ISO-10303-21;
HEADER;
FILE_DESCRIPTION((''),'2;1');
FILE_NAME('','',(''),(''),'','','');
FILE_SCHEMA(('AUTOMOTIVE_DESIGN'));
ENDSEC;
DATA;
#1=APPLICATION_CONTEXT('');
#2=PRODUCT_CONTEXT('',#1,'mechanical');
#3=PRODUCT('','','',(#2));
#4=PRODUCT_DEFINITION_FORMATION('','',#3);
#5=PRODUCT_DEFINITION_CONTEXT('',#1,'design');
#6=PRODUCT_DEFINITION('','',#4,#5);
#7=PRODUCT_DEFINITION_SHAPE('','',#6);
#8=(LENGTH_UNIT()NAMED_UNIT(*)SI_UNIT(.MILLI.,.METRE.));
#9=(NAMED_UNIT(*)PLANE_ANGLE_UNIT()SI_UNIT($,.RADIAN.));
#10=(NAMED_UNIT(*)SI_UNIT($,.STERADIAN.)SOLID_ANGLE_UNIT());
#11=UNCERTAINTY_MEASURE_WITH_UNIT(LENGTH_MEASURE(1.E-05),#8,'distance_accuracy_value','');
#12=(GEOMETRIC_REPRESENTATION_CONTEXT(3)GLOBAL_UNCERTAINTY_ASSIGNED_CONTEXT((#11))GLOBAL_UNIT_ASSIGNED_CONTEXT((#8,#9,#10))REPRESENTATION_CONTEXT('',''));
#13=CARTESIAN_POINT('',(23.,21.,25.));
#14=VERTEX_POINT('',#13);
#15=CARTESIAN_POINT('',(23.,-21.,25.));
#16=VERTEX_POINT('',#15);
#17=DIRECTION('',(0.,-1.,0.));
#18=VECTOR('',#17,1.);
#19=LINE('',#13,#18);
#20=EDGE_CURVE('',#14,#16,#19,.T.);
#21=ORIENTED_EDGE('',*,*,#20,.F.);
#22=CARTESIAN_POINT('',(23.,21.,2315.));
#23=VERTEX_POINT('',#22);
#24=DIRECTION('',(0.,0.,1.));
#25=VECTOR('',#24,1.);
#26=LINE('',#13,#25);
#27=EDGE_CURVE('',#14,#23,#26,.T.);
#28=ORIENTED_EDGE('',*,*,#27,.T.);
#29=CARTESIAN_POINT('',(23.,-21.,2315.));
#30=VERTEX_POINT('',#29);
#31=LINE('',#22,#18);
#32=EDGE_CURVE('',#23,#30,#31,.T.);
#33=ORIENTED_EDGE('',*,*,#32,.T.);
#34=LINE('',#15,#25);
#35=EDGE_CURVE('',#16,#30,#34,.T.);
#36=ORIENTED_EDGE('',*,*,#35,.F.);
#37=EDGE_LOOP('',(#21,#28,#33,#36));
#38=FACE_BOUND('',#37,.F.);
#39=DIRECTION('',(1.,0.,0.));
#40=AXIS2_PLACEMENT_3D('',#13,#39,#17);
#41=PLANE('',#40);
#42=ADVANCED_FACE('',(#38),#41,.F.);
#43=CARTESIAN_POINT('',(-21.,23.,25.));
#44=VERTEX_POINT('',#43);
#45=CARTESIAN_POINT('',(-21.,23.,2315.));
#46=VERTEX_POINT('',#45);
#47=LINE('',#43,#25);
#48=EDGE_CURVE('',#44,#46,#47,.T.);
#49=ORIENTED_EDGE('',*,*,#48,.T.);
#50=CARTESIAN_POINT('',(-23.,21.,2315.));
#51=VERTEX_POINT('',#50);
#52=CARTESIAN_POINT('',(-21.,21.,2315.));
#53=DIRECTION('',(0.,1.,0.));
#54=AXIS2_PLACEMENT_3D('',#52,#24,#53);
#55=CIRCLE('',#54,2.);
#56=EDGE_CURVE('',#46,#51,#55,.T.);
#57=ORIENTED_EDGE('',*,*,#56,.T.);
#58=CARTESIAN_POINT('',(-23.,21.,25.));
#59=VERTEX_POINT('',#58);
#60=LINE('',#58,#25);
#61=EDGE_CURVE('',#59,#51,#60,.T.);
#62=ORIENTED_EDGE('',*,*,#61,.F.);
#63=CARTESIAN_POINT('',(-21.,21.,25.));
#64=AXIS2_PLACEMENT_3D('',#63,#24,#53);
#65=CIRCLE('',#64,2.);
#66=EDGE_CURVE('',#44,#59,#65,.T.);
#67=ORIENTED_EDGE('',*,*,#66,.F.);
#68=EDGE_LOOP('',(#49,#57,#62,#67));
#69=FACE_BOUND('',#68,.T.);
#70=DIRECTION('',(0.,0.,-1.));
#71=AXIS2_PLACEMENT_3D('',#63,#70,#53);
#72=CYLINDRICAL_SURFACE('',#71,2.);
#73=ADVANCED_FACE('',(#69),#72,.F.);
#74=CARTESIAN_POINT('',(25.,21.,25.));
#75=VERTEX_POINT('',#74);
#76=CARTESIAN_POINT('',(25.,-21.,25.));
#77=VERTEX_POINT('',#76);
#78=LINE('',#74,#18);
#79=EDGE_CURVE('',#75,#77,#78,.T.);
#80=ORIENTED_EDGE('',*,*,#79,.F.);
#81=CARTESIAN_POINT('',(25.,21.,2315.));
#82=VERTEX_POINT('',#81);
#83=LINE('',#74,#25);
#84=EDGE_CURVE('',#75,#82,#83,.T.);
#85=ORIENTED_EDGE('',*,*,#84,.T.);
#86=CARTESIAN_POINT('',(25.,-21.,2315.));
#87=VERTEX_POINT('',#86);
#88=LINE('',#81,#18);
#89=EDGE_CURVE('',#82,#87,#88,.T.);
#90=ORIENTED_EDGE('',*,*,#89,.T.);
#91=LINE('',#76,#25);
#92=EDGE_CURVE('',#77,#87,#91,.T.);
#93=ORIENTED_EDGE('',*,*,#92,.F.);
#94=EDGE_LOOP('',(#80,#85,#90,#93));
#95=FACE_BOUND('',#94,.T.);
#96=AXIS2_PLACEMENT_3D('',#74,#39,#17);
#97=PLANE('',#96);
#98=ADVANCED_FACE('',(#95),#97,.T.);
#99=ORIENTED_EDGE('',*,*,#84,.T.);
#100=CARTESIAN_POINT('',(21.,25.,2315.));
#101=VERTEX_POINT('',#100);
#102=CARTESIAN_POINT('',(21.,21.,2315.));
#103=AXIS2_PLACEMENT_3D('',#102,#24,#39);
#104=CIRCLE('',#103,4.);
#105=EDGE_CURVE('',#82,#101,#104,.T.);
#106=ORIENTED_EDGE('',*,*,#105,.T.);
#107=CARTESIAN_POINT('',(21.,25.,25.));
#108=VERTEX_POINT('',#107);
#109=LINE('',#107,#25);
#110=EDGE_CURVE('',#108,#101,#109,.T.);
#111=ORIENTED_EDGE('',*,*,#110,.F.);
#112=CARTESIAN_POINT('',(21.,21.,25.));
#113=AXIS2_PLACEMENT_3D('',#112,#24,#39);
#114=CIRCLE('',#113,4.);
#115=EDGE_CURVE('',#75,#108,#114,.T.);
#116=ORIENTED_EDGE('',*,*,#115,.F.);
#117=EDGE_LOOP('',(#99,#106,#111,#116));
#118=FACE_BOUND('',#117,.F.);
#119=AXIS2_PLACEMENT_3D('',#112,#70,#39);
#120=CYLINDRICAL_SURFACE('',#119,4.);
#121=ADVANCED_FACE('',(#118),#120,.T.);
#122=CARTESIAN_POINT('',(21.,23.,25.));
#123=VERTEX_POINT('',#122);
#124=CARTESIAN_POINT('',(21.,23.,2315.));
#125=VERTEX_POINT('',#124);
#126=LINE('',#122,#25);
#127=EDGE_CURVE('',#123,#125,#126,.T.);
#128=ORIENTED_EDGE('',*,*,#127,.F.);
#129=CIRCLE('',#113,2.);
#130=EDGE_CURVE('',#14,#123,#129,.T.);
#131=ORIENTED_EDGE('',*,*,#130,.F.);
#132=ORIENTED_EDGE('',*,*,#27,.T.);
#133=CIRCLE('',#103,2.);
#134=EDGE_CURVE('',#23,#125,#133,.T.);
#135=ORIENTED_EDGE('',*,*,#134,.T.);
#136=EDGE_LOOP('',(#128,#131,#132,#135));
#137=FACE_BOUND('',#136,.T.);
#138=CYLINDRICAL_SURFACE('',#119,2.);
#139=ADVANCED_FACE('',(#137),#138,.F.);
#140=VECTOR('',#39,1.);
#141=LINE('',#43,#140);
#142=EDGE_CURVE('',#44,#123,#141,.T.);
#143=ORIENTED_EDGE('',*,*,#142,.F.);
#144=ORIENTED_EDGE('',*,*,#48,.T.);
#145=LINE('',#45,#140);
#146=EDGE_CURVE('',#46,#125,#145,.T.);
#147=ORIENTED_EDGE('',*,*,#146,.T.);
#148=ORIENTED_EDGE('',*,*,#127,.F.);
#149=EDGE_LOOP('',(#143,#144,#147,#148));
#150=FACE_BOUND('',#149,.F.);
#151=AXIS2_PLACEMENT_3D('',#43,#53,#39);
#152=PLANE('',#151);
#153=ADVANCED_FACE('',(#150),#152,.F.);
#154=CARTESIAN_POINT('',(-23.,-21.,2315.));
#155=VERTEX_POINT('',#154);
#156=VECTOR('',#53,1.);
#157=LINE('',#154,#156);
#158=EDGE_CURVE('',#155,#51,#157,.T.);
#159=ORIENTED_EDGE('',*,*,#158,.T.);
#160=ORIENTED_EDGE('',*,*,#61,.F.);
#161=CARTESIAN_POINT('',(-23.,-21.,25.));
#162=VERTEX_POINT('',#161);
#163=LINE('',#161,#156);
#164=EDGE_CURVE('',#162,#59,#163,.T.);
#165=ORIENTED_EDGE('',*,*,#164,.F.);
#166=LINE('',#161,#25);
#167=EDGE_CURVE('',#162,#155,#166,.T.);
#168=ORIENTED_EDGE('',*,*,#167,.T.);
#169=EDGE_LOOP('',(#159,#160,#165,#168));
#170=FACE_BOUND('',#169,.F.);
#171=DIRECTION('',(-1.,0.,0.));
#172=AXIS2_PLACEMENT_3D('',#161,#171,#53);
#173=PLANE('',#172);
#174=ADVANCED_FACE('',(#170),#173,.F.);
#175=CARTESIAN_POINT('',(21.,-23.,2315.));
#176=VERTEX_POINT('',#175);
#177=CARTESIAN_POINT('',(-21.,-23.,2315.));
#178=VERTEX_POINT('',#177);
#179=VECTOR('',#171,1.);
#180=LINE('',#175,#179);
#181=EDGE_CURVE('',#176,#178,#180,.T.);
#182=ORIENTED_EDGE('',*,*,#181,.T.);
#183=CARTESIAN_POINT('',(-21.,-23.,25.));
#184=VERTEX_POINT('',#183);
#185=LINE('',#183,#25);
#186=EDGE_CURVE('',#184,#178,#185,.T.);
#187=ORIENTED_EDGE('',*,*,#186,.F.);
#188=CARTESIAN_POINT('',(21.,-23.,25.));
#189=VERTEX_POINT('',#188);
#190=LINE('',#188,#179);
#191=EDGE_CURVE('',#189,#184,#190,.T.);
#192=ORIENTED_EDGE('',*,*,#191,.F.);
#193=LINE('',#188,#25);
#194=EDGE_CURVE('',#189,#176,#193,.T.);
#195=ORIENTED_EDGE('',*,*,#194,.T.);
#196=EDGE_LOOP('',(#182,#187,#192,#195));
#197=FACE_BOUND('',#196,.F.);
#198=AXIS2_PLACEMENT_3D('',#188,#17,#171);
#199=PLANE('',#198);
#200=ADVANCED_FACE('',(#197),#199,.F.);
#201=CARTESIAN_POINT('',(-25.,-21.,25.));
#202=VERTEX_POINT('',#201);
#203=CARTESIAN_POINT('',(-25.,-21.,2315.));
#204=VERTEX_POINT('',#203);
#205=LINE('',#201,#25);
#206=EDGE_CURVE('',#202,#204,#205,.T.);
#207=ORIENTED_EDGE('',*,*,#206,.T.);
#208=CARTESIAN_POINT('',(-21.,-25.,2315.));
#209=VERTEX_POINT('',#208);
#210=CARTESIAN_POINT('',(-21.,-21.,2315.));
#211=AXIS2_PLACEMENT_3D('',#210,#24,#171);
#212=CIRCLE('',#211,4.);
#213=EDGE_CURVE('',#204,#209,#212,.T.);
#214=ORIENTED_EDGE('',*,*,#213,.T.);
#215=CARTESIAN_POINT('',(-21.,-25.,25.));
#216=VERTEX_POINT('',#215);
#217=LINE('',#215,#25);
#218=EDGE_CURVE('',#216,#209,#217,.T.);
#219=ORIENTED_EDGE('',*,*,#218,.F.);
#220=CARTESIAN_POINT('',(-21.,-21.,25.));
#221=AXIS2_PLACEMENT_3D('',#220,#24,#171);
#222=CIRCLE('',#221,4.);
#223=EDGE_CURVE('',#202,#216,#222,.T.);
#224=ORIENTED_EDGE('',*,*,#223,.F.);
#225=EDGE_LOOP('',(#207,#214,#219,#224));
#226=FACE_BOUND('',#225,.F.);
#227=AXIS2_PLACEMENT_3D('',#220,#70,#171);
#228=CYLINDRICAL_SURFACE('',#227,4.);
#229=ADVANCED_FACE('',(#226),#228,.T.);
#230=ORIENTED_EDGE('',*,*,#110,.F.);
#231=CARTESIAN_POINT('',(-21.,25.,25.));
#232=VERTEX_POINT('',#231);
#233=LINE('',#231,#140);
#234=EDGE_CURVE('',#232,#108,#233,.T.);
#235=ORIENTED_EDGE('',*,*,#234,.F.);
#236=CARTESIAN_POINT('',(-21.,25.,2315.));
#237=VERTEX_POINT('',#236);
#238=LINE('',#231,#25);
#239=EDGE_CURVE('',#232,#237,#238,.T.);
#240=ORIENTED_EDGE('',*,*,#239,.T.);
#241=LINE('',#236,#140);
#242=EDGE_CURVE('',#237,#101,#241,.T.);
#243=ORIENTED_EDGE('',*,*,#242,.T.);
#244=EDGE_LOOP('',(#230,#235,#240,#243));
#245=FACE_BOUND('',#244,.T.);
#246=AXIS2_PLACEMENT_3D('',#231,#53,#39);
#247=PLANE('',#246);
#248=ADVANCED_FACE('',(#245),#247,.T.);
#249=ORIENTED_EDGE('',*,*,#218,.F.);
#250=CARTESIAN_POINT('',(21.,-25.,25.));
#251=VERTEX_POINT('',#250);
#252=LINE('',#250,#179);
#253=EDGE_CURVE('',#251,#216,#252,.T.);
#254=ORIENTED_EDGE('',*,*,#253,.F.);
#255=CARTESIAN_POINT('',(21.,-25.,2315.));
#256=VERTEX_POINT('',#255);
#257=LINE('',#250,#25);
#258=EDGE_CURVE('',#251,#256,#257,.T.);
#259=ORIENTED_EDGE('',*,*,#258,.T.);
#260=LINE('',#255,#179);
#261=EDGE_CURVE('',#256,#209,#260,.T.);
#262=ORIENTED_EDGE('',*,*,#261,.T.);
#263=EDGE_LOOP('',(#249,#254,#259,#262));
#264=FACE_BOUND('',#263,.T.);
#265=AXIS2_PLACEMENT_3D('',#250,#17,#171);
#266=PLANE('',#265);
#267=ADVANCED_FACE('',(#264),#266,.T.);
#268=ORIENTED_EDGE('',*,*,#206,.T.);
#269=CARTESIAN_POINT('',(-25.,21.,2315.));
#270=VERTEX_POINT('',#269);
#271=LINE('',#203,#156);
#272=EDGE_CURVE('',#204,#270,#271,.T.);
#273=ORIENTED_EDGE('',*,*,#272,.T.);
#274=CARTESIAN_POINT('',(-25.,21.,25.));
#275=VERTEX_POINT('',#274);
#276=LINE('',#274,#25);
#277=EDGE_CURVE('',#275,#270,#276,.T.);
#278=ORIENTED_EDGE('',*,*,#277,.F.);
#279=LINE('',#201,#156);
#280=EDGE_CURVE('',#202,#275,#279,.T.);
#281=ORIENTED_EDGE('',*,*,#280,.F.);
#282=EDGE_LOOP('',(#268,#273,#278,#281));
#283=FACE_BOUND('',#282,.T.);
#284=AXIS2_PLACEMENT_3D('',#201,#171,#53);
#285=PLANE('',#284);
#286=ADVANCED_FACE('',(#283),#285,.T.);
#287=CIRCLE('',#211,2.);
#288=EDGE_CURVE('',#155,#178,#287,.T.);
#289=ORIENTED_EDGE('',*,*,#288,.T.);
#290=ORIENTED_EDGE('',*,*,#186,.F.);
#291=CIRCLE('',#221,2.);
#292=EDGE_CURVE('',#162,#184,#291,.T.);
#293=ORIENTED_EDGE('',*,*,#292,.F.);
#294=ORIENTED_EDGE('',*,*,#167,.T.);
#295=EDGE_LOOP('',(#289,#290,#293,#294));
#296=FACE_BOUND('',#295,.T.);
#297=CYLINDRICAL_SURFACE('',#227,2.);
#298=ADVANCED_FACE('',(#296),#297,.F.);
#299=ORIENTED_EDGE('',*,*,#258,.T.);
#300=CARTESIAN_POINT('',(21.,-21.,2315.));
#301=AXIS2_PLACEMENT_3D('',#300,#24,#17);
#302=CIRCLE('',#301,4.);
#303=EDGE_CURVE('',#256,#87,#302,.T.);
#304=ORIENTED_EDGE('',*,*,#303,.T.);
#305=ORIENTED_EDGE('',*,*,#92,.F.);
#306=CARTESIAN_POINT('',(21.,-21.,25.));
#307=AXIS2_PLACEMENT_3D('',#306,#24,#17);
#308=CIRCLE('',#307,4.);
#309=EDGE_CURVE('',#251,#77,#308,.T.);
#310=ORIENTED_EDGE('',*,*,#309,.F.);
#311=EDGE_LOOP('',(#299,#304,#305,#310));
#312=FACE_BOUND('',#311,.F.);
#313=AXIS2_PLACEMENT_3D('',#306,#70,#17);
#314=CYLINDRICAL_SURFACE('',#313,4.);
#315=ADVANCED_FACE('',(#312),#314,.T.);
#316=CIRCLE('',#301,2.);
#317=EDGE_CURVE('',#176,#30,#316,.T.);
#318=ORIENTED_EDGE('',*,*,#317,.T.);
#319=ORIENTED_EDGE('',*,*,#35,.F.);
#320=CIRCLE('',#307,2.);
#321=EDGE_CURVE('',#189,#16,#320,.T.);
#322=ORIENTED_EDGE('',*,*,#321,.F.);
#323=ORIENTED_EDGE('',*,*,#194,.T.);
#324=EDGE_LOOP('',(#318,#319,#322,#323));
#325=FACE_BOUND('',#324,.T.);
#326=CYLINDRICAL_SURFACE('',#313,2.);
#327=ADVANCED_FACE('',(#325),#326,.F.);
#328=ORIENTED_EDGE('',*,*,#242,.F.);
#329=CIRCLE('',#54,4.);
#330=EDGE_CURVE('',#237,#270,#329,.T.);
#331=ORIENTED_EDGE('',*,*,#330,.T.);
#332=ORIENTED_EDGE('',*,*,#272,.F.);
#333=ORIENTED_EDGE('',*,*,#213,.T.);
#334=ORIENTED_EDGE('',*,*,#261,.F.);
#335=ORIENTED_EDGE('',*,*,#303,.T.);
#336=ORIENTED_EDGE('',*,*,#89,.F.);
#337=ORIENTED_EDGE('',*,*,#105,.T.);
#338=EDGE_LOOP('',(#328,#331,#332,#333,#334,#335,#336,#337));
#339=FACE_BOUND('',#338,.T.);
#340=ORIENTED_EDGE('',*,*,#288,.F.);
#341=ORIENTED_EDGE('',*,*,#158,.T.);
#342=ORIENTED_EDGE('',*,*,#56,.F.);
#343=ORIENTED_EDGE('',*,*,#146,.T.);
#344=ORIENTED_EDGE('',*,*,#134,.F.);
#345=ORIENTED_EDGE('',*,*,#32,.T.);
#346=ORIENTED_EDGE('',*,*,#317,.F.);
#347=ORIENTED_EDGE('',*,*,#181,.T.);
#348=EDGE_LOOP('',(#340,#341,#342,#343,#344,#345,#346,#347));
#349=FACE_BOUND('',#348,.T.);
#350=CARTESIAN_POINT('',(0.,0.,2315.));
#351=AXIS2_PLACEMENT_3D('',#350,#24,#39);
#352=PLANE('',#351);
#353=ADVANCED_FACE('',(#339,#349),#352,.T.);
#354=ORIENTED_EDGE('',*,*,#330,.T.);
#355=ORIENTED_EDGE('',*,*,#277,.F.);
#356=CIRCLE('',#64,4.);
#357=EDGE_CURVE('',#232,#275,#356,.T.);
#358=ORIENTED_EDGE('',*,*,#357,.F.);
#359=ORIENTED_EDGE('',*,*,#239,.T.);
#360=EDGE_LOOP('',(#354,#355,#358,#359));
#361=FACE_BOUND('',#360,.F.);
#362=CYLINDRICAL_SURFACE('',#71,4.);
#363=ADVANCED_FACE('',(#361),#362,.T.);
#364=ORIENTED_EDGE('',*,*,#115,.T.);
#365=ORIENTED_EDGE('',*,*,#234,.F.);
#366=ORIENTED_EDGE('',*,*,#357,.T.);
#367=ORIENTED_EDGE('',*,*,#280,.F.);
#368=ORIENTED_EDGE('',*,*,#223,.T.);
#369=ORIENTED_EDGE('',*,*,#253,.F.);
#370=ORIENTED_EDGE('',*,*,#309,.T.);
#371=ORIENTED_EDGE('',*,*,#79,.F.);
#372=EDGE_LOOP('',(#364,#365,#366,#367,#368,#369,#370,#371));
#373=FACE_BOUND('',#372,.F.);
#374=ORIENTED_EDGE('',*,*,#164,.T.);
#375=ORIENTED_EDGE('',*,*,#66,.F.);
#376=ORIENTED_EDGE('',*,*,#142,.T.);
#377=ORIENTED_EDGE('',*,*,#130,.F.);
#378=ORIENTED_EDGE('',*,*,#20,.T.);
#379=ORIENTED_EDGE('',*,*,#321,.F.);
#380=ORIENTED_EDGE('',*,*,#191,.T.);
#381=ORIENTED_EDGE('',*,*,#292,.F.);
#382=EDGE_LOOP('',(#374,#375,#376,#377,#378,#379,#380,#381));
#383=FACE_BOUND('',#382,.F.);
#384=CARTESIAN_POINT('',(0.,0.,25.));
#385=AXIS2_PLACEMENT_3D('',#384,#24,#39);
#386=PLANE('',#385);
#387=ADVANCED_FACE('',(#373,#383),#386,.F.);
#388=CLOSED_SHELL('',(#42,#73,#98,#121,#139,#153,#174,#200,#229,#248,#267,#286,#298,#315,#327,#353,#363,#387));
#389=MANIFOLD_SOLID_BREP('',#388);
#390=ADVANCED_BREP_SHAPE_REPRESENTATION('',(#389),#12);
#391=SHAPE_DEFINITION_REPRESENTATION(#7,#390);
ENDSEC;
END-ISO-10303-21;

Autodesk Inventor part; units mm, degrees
ref_plane "Plano inicial" through (0, 0, 25) normal (0, 0, 1) x (1, 0, 0)
ref_plane "Plano final" through (0, 0, 2315) normal (0, 0, 1) x (1, 0, 0)
sketch "Boceto" plane through (0, 0, 0) normal (0, 0, 1) x (1, 0, 0)
  line L0 (-25, -21) -> (-25, 21)
  line L1 (-21, 25) -> (21, 25)
  line L2 (25, 21) -> (25, -21)
  line L3 (21, -25) -> (-21, -25)
  arc A0 (-25, -21) -> (-21, -25) centre (-21, -21) ccw
  arc A1 (25, 21) -> (21, 25) centre (21, 21) ccw
  arc A2 (-21, 25) -> (-25, 21) centre (-21, 21) ccw
  arc A3 (21, -25) -> (25, -21) centre (21, -21) ccw
  arc A4 (-21, 23) -> (-23, 21) centre (-21, 21) ccw
  line L4 (-21, 23) -> (21, 23)
  arc A5 (23, 21) -> (21, 23) centre (21, 21) ccw
  line L5 (23, 21) -> (23, -21)
  arc A6 (21, -23) -> (23, -21) centre (21, -21) ccw
  line L6 (21, -23) -> (-21, -23)
  arc A7 (-23, -21) -> (-21, -23) centre (-21, -21) ccw
  line L7 (-23, -21) -> (-23, 21)
  line L8 (0, 36.1598) -> (0, -36.1598) construction
  line L9 (-36.1598, 0) -> (36.1598, 0) construction
  dimension "d7" = 4
  dimension "d9" = 50
  dimension "d11" = 50
  dimension "d12" = 2
  dimension "d15" = 25
  dimension "d16" = 25
extrude "Cuerpo" add sketch "Boceto" along normal up to surface (2290 mm away) from surface at 25
sketch "Sketch3" plane through (0, 0, 0) normal (0, 0, 1) x (1, 0, 0)
  line L0 (0, 0) -> (10, 0)
ref_plane "Work Plane3" through (0, 0, 0) normal (0, -1, 0) x (1, 0, 0)
sketch "Sketch4" plane through (0, 0, 0) normal (0, -1, 0) x (1, 0, 0)
  line L0 (-2, 25) -> (12, 25)
  line L1 (-2, 2315) -> (12, 2315)
  dimension "d18" = 2290
ref_plane "Plano de trabajo4" through (350.06, 21, 25) normal (0, 0, -1) x (-1, 0, 0)
split "Dividir1" plane through (350.06, 21, 25) removes the side toward (0, 0, -1)
equation "\"d7\" = G_IR"
equation "\"d9\" = G_W"
equation "\"d11\" = G_H"
equation "\"d12\" = G_T"
equation "\"d15\" = 0.5 * d9"
equation "\"d16\" = 0.5 * d11"
equation "\"d3\" = G_L"
equation "\"G_W\" = 50"
equation "\"G_H\" = 50"
equation "\"G_T\" = 2"
equation "\"G_IR\" = 4"
equation "\"G_L\" = d18"
equation "\"G_OFFSET_START\" = -25"
equation "\"G_OFFSET_END\" = 0"
equation "\"d13\" = -G_OFFSET_START"
equation "\"d14\" = G_OFFSET_END + B_L"
equation "\"B_L\" = 2315"
properties part number "ISO 10799-2 - 50x50x2 - 2290" material "Galvanizado catalogo 1"
